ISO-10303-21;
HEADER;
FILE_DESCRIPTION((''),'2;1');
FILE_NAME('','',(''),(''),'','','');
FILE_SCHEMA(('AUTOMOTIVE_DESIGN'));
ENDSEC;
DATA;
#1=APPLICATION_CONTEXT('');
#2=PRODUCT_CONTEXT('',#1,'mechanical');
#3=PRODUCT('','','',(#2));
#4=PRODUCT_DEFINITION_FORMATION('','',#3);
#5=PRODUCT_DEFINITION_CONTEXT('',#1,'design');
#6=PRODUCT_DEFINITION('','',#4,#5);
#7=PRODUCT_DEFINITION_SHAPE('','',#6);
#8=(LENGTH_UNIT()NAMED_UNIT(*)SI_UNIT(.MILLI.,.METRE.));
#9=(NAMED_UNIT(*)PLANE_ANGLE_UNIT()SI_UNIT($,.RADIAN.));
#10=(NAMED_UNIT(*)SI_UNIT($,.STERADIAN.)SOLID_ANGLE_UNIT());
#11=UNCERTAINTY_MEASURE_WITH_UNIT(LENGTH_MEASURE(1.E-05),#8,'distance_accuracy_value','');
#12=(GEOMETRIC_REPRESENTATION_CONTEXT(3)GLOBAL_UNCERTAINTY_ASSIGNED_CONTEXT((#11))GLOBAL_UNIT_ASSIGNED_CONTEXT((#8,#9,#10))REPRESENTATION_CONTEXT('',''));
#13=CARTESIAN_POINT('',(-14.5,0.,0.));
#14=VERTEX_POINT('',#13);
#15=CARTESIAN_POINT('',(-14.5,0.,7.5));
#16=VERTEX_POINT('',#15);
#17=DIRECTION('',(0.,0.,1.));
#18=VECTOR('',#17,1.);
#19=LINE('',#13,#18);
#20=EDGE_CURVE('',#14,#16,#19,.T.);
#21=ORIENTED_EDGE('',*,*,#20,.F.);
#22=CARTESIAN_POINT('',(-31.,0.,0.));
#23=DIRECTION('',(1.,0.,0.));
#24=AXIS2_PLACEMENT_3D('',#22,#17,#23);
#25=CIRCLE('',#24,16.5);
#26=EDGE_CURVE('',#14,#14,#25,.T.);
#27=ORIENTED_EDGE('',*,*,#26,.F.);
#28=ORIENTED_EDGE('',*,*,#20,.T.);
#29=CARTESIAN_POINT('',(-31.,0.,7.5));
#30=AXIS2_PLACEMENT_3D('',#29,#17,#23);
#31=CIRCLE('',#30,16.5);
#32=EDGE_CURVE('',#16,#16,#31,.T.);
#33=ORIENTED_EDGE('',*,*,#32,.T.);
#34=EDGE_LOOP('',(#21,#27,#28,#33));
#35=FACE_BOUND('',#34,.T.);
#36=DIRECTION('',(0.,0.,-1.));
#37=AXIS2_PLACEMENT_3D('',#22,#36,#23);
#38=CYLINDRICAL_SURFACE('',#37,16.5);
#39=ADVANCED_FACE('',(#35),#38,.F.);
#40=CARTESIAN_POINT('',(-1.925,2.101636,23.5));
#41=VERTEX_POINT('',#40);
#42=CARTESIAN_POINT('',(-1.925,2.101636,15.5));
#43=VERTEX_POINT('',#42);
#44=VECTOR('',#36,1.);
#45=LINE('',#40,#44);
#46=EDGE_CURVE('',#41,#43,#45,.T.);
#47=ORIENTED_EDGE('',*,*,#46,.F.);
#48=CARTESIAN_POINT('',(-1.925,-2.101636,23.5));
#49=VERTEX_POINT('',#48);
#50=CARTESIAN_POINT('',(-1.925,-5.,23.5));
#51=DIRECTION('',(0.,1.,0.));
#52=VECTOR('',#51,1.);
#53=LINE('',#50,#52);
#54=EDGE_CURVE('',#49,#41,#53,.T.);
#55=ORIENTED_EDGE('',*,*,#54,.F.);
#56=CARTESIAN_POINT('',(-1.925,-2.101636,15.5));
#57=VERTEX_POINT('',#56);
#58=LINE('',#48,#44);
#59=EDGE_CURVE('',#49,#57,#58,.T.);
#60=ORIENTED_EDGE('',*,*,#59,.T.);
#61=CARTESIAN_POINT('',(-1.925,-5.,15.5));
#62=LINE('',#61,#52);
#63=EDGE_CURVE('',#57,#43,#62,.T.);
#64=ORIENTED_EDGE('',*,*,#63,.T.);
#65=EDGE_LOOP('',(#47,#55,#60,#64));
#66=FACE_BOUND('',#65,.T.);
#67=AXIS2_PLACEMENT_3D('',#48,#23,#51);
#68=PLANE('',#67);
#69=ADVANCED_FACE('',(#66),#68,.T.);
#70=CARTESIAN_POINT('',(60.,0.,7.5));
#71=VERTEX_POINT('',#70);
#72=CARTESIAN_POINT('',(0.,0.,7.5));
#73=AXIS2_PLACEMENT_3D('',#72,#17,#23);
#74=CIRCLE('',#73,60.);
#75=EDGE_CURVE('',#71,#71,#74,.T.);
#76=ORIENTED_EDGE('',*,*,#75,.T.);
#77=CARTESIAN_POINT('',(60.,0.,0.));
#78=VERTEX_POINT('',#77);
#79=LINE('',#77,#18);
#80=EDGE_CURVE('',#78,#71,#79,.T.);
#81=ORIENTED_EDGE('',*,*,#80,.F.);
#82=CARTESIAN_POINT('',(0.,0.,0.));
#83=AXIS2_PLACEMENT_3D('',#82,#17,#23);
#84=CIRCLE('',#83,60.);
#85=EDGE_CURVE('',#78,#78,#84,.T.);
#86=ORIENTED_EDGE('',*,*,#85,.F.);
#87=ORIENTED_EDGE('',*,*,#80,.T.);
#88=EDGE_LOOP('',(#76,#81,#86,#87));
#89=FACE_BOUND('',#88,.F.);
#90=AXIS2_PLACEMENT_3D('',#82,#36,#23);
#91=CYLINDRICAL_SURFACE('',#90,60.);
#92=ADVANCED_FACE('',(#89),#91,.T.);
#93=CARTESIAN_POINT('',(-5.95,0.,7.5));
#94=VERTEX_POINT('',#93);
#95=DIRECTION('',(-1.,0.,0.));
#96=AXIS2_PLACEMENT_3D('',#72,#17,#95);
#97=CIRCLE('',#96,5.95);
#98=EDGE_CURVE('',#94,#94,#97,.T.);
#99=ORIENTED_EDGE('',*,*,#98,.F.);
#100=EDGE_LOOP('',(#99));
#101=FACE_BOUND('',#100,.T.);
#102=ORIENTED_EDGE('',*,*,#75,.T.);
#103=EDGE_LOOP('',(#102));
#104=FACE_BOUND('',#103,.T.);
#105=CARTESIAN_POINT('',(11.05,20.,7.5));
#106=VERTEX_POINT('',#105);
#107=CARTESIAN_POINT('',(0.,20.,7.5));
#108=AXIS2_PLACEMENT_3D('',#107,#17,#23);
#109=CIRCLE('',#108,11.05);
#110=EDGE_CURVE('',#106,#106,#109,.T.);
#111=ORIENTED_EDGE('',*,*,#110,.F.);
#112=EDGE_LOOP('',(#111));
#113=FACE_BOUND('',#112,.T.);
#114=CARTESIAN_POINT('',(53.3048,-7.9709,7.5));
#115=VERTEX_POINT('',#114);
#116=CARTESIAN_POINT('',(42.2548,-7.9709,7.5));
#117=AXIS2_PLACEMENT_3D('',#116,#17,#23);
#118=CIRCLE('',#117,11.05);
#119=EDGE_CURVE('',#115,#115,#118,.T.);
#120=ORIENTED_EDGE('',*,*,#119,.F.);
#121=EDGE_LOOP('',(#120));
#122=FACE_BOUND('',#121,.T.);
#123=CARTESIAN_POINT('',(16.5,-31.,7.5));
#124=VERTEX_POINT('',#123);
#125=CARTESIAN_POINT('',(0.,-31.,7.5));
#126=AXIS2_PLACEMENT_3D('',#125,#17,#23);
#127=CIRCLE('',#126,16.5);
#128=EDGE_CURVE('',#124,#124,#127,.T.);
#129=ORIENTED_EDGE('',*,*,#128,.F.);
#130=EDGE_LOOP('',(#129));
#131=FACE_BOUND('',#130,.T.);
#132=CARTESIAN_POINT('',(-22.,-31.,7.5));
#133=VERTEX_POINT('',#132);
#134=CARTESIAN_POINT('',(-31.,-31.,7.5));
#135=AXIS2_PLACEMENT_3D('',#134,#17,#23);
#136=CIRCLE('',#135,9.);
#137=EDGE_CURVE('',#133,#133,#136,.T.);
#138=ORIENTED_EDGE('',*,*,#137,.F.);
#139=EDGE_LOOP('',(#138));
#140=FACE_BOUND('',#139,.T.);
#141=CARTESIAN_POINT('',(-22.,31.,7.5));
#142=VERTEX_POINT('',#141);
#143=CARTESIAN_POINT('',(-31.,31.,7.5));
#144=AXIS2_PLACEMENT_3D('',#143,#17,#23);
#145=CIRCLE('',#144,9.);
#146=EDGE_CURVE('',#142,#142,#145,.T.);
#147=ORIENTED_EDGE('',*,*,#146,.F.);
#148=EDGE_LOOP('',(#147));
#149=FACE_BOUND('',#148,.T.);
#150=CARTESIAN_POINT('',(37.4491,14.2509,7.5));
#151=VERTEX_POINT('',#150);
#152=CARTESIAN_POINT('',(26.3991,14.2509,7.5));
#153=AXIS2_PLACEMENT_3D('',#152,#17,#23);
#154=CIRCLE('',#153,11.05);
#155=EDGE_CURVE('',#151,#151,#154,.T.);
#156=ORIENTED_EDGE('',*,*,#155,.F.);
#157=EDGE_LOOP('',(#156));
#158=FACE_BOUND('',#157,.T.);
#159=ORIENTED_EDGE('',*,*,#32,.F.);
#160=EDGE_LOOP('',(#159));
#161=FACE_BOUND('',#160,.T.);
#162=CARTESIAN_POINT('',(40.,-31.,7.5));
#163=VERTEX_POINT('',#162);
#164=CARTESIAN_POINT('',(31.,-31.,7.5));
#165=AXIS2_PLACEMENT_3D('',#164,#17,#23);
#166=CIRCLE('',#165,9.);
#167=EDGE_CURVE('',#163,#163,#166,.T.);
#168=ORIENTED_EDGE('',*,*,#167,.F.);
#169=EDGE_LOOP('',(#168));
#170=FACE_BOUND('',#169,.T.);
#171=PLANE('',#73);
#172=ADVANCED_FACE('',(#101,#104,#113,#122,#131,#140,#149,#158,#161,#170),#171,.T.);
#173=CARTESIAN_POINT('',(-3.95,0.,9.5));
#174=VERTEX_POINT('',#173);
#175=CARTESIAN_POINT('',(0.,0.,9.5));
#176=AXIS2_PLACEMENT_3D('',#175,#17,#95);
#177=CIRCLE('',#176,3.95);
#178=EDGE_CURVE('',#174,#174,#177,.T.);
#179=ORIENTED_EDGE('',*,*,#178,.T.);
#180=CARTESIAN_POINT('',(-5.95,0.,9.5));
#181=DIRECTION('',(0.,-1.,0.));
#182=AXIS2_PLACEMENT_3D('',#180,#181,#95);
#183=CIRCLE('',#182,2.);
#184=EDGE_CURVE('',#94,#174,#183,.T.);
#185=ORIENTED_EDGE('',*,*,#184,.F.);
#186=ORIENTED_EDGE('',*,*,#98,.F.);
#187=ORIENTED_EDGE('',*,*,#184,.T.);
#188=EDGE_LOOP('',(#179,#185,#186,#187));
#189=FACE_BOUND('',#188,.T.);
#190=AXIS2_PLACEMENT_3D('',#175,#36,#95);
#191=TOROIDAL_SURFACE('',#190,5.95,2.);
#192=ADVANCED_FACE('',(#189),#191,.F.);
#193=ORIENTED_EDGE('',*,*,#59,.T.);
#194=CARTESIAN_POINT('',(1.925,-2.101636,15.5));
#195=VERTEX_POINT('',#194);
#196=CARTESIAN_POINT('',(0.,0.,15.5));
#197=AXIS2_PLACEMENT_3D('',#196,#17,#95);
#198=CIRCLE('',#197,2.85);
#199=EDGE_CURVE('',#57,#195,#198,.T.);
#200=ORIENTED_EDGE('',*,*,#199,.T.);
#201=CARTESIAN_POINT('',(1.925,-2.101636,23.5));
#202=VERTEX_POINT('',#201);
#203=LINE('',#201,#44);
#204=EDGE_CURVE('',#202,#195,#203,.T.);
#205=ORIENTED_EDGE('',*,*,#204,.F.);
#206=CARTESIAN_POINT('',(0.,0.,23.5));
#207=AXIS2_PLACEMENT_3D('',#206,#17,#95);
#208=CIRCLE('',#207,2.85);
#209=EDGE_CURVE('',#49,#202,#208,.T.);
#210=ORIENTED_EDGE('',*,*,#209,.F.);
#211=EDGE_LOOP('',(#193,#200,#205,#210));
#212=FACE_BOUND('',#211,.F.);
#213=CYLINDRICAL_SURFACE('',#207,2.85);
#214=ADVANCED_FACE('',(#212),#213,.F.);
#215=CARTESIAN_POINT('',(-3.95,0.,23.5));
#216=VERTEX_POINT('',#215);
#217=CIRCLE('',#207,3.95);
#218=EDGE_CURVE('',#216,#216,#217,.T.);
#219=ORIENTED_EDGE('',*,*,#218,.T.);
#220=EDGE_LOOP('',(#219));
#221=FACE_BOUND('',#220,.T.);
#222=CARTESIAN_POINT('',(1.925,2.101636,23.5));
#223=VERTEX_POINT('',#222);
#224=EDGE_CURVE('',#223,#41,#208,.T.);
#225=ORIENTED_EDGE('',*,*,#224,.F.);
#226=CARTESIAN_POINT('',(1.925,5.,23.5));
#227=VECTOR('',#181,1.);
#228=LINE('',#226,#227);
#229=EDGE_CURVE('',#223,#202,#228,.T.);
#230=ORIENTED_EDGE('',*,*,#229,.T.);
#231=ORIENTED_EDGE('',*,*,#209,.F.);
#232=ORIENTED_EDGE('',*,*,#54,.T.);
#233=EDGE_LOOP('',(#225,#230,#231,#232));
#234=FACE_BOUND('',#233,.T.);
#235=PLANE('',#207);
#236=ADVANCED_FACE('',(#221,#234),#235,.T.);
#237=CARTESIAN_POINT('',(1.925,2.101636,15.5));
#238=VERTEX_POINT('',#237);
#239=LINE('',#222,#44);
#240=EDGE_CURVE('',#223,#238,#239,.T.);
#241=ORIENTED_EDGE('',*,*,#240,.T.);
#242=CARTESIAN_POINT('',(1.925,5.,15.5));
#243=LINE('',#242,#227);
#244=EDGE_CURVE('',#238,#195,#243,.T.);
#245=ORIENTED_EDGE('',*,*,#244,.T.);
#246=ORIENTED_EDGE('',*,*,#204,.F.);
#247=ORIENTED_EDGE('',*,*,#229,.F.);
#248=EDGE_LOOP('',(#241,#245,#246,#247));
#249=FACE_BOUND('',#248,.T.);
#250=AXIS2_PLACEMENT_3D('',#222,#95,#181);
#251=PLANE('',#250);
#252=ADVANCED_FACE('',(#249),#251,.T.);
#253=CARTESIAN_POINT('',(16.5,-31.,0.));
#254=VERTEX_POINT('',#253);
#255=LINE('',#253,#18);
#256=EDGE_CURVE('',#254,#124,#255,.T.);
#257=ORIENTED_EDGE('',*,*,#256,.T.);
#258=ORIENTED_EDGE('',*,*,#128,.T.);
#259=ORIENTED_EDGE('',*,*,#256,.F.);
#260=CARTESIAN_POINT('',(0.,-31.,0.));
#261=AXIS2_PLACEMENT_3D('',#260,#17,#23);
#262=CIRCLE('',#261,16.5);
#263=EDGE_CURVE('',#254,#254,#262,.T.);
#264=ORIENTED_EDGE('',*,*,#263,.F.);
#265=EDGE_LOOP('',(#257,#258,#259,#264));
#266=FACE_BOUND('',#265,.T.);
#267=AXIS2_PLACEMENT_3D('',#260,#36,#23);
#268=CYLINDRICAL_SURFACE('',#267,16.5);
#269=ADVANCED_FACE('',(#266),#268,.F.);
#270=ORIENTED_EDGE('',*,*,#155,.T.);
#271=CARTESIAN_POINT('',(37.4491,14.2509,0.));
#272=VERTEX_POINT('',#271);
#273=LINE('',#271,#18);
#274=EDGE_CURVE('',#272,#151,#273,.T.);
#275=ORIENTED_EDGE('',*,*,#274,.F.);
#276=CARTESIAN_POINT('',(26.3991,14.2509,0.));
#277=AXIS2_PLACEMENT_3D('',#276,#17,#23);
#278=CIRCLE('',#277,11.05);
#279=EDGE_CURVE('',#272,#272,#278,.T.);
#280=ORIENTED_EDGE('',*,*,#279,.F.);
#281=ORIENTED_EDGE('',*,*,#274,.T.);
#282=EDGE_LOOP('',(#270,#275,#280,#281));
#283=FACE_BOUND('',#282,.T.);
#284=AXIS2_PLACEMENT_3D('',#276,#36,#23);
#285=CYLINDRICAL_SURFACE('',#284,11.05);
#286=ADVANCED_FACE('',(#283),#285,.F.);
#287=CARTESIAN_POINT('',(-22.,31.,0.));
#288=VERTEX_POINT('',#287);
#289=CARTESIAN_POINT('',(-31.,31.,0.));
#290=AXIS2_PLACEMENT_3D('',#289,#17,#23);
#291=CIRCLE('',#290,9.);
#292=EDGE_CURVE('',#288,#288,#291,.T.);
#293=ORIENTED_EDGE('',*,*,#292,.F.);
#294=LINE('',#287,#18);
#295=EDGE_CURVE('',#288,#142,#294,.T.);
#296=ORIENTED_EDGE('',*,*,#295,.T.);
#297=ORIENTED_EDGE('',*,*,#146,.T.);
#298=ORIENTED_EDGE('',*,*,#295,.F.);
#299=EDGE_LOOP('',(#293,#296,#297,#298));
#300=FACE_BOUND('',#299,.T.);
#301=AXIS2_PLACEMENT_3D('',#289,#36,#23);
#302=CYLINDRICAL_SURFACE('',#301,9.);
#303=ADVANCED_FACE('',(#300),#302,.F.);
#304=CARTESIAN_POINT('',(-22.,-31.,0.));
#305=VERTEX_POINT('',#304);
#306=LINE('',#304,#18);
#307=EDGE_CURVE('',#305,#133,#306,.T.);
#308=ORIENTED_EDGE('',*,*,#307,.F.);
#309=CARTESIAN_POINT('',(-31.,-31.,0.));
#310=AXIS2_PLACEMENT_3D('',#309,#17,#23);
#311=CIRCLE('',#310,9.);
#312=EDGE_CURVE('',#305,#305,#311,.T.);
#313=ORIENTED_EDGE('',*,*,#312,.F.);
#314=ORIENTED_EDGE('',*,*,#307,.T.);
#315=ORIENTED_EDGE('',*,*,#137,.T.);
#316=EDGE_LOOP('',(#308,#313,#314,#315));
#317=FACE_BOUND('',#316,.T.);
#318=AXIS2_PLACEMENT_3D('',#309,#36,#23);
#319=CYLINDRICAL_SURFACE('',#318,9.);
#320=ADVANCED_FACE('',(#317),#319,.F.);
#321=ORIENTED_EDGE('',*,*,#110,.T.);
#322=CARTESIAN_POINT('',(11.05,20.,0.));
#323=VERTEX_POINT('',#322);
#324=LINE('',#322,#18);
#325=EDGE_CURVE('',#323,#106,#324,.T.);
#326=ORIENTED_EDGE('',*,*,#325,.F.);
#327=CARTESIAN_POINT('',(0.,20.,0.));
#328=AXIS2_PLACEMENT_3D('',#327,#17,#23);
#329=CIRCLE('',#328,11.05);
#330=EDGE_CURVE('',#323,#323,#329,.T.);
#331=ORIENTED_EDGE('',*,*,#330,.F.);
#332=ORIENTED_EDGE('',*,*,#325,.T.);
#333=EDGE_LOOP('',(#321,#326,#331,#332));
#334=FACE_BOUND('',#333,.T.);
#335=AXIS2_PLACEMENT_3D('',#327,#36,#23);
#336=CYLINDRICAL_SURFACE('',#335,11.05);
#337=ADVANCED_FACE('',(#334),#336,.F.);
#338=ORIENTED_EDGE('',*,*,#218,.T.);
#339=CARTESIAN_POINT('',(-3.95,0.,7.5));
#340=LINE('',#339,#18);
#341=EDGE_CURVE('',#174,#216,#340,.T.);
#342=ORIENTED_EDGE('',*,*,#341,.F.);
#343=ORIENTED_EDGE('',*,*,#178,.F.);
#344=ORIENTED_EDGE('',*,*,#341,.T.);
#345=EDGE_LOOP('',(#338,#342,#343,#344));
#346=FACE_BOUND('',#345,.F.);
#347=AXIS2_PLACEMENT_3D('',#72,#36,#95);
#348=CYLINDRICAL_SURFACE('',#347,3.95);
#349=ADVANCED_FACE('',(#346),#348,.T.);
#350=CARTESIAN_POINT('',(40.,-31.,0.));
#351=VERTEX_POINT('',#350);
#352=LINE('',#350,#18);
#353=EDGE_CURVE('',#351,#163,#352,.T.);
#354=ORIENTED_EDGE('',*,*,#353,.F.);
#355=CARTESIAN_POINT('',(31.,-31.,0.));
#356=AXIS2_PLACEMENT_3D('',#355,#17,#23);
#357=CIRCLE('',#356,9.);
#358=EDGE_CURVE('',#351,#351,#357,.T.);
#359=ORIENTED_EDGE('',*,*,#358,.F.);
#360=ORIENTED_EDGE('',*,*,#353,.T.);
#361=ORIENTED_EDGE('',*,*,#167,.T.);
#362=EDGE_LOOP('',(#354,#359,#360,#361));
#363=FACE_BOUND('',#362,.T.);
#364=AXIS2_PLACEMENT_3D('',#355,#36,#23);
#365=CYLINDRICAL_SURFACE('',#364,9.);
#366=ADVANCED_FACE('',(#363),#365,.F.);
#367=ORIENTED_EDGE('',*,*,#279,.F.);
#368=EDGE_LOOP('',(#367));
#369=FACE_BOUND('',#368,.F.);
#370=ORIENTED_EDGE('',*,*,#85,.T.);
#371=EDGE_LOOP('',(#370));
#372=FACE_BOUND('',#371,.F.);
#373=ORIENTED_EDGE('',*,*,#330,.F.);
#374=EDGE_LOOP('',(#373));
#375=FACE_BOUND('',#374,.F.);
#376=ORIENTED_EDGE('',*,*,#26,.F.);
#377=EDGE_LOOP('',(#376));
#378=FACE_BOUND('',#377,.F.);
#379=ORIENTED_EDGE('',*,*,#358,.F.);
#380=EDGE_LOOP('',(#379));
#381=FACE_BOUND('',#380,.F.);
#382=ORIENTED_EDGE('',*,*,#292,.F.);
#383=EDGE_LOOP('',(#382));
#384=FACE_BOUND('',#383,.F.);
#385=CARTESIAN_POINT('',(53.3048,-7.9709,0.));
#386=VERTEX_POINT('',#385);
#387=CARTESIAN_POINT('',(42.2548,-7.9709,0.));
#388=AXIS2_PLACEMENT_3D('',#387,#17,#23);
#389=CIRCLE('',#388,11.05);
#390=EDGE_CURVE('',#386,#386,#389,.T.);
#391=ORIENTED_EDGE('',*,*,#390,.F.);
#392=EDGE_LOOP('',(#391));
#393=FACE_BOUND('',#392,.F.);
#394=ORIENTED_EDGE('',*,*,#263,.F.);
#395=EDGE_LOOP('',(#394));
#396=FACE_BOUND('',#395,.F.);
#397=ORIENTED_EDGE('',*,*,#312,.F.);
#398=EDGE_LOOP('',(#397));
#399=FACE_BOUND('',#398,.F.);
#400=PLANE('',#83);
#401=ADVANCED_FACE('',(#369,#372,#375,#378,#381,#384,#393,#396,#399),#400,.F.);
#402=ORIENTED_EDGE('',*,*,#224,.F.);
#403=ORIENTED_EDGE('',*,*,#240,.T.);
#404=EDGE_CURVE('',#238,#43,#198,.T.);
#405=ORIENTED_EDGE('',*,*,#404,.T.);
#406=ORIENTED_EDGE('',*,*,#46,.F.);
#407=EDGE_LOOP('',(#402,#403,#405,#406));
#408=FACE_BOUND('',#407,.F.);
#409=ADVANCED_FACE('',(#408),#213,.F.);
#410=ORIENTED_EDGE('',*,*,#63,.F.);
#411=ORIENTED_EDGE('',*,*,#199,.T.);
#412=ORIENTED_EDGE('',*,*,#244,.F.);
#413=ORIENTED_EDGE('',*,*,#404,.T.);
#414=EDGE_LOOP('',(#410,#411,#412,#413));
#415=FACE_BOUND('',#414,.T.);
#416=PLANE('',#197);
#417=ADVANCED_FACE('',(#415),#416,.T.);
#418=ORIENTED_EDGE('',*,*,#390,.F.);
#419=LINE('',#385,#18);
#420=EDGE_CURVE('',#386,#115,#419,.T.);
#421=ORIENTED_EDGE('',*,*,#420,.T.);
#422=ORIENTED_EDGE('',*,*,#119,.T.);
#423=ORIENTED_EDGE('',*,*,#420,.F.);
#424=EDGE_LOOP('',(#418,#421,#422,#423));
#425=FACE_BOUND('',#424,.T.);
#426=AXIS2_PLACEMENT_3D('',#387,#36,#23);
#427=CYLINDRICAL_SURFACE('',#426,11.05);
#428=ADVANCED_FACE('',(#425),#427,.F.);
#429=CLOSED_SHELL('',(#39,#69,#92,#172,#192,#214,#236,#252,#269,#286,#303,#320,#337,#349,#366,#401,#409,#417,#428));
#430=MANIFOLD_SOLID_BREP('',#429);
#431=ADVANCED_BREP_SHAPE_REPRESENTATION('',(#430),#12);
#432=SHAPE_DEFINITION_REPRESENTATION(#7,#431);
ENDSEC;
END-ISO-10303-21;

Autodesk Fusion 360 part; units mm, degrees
sketch "Sketch1" plane through (0, 0, 0) normal (0, 0, 1) x (1, 0, 0)
  circle A0 centre (0, 0) radius 60
  circle A1 centre (42.2548, -7.9709) radius 11.05
  circle A2 centre (0, 20) radius 11.05
  circle A3 centre (-31, 0) radius 16.5
  circle A4 centre (0, -31) radius 16.5
  circle A5 centre (-31, 31) radius 9
  circle A6 centre (-31, -31) radius 9
  circle A7 centre (31, -31) radius 9
  circle A8 centre (26.3991, 14.2509) radius 11.05
  dimension "d1" = 120
  dimension "d3" = 22.1
  dimension "d4" = 43
  dimension "d8" = 22.1
  dimension "d9" = 20
  dimension "d12" = 31
  dimension "d13" = 31
  dimension "d17" = 18
  dimension "d34" = 30
  dimension "d35" = 22.1
extrude "Extrude2" add sketch "Sketch1" along normal blind 7.5
sketch "Sketch2" plane through (0, 0, 7.5) normal (0, 0, 1) x (-1, 0, 0)
  circle A0 centre (31, -31) radius 9
  circle A1 centre (0, 31) radius 16.5
  circle A2 centre (-26.3991, -14.2509) radius 11.05
  circle A3 centre (31, 0) radius 16.5
  circle A4 centre (0, -20) radius 11.05
  circle A5 centre (-31, 31) radius 9
  circle A6 centre (-42.2548, 7.9709) radius 11.05
  circle A7 centre (31, 31) radius 9
  circle A8 centre (0, 0) radius 60
  circle A9 centre (0, 0) radius 3.95
  dimension "d20" = 7.9
extrude "Extrude3" add sketch "Sketch2" along normal blind 16 contours A9
sketch "Sketch3" plane through (0, 0, 23.5) normal (0, 0, 1) x (-1, 0, 0)
  circle A0 centre (0, 0) radius 3.95
  circle A1 centre (0, 0) radius 2.85
  line L0 (-1.925, 5) -> (1.925, 5)
  line L1 (1.925, 5) -> (1.925, -5)
  line L2 (1.925, -5) -> (-1.925, -5)
  line L3 (-1.925, -5) -> (-1.925, 5)
  line L4 (-1.925, 5) -> (1.925, -5) construction
  line L5 (1.925, 5) -> (-1.925, -5) construction
  dimension "d23" = 5.7
  dimension "d24" = 3.85
  dimension "d25" = 10
extrude "Extrude4" cut sketch "Sketch3" against normal blind 8 contours A1 L1 L3
fillet "Fillet1" radius 2 1 edges at (3.6827, -1.4284, 7.5)
equation "tol1 = 0.1 mm"
equation "d3 = 22 mm + tol1"
equation "d4 = r4"
equation "d8 = 22 mm + tol1"
equation "d9 = r2"
equation "d12 = ho1"
equation "d13 = ho1"
equation "ho1 = 31 mm"
equation "d20 = 8 mm - tol1"
equation "d21 = 7 mm + 7 mm + 2 mm"
equation "d23 = 5.6 mm + tol1"
equation "d24 = 3.75 mm + tol1"
equation "r4 = 43 mm"
equation "r3 = 30 mm"
equation "r2 = 20 mm"
equation "r1 = 10 mm"
equation "d34 = r3"
equation "d35 = 22 mm + tol1"
